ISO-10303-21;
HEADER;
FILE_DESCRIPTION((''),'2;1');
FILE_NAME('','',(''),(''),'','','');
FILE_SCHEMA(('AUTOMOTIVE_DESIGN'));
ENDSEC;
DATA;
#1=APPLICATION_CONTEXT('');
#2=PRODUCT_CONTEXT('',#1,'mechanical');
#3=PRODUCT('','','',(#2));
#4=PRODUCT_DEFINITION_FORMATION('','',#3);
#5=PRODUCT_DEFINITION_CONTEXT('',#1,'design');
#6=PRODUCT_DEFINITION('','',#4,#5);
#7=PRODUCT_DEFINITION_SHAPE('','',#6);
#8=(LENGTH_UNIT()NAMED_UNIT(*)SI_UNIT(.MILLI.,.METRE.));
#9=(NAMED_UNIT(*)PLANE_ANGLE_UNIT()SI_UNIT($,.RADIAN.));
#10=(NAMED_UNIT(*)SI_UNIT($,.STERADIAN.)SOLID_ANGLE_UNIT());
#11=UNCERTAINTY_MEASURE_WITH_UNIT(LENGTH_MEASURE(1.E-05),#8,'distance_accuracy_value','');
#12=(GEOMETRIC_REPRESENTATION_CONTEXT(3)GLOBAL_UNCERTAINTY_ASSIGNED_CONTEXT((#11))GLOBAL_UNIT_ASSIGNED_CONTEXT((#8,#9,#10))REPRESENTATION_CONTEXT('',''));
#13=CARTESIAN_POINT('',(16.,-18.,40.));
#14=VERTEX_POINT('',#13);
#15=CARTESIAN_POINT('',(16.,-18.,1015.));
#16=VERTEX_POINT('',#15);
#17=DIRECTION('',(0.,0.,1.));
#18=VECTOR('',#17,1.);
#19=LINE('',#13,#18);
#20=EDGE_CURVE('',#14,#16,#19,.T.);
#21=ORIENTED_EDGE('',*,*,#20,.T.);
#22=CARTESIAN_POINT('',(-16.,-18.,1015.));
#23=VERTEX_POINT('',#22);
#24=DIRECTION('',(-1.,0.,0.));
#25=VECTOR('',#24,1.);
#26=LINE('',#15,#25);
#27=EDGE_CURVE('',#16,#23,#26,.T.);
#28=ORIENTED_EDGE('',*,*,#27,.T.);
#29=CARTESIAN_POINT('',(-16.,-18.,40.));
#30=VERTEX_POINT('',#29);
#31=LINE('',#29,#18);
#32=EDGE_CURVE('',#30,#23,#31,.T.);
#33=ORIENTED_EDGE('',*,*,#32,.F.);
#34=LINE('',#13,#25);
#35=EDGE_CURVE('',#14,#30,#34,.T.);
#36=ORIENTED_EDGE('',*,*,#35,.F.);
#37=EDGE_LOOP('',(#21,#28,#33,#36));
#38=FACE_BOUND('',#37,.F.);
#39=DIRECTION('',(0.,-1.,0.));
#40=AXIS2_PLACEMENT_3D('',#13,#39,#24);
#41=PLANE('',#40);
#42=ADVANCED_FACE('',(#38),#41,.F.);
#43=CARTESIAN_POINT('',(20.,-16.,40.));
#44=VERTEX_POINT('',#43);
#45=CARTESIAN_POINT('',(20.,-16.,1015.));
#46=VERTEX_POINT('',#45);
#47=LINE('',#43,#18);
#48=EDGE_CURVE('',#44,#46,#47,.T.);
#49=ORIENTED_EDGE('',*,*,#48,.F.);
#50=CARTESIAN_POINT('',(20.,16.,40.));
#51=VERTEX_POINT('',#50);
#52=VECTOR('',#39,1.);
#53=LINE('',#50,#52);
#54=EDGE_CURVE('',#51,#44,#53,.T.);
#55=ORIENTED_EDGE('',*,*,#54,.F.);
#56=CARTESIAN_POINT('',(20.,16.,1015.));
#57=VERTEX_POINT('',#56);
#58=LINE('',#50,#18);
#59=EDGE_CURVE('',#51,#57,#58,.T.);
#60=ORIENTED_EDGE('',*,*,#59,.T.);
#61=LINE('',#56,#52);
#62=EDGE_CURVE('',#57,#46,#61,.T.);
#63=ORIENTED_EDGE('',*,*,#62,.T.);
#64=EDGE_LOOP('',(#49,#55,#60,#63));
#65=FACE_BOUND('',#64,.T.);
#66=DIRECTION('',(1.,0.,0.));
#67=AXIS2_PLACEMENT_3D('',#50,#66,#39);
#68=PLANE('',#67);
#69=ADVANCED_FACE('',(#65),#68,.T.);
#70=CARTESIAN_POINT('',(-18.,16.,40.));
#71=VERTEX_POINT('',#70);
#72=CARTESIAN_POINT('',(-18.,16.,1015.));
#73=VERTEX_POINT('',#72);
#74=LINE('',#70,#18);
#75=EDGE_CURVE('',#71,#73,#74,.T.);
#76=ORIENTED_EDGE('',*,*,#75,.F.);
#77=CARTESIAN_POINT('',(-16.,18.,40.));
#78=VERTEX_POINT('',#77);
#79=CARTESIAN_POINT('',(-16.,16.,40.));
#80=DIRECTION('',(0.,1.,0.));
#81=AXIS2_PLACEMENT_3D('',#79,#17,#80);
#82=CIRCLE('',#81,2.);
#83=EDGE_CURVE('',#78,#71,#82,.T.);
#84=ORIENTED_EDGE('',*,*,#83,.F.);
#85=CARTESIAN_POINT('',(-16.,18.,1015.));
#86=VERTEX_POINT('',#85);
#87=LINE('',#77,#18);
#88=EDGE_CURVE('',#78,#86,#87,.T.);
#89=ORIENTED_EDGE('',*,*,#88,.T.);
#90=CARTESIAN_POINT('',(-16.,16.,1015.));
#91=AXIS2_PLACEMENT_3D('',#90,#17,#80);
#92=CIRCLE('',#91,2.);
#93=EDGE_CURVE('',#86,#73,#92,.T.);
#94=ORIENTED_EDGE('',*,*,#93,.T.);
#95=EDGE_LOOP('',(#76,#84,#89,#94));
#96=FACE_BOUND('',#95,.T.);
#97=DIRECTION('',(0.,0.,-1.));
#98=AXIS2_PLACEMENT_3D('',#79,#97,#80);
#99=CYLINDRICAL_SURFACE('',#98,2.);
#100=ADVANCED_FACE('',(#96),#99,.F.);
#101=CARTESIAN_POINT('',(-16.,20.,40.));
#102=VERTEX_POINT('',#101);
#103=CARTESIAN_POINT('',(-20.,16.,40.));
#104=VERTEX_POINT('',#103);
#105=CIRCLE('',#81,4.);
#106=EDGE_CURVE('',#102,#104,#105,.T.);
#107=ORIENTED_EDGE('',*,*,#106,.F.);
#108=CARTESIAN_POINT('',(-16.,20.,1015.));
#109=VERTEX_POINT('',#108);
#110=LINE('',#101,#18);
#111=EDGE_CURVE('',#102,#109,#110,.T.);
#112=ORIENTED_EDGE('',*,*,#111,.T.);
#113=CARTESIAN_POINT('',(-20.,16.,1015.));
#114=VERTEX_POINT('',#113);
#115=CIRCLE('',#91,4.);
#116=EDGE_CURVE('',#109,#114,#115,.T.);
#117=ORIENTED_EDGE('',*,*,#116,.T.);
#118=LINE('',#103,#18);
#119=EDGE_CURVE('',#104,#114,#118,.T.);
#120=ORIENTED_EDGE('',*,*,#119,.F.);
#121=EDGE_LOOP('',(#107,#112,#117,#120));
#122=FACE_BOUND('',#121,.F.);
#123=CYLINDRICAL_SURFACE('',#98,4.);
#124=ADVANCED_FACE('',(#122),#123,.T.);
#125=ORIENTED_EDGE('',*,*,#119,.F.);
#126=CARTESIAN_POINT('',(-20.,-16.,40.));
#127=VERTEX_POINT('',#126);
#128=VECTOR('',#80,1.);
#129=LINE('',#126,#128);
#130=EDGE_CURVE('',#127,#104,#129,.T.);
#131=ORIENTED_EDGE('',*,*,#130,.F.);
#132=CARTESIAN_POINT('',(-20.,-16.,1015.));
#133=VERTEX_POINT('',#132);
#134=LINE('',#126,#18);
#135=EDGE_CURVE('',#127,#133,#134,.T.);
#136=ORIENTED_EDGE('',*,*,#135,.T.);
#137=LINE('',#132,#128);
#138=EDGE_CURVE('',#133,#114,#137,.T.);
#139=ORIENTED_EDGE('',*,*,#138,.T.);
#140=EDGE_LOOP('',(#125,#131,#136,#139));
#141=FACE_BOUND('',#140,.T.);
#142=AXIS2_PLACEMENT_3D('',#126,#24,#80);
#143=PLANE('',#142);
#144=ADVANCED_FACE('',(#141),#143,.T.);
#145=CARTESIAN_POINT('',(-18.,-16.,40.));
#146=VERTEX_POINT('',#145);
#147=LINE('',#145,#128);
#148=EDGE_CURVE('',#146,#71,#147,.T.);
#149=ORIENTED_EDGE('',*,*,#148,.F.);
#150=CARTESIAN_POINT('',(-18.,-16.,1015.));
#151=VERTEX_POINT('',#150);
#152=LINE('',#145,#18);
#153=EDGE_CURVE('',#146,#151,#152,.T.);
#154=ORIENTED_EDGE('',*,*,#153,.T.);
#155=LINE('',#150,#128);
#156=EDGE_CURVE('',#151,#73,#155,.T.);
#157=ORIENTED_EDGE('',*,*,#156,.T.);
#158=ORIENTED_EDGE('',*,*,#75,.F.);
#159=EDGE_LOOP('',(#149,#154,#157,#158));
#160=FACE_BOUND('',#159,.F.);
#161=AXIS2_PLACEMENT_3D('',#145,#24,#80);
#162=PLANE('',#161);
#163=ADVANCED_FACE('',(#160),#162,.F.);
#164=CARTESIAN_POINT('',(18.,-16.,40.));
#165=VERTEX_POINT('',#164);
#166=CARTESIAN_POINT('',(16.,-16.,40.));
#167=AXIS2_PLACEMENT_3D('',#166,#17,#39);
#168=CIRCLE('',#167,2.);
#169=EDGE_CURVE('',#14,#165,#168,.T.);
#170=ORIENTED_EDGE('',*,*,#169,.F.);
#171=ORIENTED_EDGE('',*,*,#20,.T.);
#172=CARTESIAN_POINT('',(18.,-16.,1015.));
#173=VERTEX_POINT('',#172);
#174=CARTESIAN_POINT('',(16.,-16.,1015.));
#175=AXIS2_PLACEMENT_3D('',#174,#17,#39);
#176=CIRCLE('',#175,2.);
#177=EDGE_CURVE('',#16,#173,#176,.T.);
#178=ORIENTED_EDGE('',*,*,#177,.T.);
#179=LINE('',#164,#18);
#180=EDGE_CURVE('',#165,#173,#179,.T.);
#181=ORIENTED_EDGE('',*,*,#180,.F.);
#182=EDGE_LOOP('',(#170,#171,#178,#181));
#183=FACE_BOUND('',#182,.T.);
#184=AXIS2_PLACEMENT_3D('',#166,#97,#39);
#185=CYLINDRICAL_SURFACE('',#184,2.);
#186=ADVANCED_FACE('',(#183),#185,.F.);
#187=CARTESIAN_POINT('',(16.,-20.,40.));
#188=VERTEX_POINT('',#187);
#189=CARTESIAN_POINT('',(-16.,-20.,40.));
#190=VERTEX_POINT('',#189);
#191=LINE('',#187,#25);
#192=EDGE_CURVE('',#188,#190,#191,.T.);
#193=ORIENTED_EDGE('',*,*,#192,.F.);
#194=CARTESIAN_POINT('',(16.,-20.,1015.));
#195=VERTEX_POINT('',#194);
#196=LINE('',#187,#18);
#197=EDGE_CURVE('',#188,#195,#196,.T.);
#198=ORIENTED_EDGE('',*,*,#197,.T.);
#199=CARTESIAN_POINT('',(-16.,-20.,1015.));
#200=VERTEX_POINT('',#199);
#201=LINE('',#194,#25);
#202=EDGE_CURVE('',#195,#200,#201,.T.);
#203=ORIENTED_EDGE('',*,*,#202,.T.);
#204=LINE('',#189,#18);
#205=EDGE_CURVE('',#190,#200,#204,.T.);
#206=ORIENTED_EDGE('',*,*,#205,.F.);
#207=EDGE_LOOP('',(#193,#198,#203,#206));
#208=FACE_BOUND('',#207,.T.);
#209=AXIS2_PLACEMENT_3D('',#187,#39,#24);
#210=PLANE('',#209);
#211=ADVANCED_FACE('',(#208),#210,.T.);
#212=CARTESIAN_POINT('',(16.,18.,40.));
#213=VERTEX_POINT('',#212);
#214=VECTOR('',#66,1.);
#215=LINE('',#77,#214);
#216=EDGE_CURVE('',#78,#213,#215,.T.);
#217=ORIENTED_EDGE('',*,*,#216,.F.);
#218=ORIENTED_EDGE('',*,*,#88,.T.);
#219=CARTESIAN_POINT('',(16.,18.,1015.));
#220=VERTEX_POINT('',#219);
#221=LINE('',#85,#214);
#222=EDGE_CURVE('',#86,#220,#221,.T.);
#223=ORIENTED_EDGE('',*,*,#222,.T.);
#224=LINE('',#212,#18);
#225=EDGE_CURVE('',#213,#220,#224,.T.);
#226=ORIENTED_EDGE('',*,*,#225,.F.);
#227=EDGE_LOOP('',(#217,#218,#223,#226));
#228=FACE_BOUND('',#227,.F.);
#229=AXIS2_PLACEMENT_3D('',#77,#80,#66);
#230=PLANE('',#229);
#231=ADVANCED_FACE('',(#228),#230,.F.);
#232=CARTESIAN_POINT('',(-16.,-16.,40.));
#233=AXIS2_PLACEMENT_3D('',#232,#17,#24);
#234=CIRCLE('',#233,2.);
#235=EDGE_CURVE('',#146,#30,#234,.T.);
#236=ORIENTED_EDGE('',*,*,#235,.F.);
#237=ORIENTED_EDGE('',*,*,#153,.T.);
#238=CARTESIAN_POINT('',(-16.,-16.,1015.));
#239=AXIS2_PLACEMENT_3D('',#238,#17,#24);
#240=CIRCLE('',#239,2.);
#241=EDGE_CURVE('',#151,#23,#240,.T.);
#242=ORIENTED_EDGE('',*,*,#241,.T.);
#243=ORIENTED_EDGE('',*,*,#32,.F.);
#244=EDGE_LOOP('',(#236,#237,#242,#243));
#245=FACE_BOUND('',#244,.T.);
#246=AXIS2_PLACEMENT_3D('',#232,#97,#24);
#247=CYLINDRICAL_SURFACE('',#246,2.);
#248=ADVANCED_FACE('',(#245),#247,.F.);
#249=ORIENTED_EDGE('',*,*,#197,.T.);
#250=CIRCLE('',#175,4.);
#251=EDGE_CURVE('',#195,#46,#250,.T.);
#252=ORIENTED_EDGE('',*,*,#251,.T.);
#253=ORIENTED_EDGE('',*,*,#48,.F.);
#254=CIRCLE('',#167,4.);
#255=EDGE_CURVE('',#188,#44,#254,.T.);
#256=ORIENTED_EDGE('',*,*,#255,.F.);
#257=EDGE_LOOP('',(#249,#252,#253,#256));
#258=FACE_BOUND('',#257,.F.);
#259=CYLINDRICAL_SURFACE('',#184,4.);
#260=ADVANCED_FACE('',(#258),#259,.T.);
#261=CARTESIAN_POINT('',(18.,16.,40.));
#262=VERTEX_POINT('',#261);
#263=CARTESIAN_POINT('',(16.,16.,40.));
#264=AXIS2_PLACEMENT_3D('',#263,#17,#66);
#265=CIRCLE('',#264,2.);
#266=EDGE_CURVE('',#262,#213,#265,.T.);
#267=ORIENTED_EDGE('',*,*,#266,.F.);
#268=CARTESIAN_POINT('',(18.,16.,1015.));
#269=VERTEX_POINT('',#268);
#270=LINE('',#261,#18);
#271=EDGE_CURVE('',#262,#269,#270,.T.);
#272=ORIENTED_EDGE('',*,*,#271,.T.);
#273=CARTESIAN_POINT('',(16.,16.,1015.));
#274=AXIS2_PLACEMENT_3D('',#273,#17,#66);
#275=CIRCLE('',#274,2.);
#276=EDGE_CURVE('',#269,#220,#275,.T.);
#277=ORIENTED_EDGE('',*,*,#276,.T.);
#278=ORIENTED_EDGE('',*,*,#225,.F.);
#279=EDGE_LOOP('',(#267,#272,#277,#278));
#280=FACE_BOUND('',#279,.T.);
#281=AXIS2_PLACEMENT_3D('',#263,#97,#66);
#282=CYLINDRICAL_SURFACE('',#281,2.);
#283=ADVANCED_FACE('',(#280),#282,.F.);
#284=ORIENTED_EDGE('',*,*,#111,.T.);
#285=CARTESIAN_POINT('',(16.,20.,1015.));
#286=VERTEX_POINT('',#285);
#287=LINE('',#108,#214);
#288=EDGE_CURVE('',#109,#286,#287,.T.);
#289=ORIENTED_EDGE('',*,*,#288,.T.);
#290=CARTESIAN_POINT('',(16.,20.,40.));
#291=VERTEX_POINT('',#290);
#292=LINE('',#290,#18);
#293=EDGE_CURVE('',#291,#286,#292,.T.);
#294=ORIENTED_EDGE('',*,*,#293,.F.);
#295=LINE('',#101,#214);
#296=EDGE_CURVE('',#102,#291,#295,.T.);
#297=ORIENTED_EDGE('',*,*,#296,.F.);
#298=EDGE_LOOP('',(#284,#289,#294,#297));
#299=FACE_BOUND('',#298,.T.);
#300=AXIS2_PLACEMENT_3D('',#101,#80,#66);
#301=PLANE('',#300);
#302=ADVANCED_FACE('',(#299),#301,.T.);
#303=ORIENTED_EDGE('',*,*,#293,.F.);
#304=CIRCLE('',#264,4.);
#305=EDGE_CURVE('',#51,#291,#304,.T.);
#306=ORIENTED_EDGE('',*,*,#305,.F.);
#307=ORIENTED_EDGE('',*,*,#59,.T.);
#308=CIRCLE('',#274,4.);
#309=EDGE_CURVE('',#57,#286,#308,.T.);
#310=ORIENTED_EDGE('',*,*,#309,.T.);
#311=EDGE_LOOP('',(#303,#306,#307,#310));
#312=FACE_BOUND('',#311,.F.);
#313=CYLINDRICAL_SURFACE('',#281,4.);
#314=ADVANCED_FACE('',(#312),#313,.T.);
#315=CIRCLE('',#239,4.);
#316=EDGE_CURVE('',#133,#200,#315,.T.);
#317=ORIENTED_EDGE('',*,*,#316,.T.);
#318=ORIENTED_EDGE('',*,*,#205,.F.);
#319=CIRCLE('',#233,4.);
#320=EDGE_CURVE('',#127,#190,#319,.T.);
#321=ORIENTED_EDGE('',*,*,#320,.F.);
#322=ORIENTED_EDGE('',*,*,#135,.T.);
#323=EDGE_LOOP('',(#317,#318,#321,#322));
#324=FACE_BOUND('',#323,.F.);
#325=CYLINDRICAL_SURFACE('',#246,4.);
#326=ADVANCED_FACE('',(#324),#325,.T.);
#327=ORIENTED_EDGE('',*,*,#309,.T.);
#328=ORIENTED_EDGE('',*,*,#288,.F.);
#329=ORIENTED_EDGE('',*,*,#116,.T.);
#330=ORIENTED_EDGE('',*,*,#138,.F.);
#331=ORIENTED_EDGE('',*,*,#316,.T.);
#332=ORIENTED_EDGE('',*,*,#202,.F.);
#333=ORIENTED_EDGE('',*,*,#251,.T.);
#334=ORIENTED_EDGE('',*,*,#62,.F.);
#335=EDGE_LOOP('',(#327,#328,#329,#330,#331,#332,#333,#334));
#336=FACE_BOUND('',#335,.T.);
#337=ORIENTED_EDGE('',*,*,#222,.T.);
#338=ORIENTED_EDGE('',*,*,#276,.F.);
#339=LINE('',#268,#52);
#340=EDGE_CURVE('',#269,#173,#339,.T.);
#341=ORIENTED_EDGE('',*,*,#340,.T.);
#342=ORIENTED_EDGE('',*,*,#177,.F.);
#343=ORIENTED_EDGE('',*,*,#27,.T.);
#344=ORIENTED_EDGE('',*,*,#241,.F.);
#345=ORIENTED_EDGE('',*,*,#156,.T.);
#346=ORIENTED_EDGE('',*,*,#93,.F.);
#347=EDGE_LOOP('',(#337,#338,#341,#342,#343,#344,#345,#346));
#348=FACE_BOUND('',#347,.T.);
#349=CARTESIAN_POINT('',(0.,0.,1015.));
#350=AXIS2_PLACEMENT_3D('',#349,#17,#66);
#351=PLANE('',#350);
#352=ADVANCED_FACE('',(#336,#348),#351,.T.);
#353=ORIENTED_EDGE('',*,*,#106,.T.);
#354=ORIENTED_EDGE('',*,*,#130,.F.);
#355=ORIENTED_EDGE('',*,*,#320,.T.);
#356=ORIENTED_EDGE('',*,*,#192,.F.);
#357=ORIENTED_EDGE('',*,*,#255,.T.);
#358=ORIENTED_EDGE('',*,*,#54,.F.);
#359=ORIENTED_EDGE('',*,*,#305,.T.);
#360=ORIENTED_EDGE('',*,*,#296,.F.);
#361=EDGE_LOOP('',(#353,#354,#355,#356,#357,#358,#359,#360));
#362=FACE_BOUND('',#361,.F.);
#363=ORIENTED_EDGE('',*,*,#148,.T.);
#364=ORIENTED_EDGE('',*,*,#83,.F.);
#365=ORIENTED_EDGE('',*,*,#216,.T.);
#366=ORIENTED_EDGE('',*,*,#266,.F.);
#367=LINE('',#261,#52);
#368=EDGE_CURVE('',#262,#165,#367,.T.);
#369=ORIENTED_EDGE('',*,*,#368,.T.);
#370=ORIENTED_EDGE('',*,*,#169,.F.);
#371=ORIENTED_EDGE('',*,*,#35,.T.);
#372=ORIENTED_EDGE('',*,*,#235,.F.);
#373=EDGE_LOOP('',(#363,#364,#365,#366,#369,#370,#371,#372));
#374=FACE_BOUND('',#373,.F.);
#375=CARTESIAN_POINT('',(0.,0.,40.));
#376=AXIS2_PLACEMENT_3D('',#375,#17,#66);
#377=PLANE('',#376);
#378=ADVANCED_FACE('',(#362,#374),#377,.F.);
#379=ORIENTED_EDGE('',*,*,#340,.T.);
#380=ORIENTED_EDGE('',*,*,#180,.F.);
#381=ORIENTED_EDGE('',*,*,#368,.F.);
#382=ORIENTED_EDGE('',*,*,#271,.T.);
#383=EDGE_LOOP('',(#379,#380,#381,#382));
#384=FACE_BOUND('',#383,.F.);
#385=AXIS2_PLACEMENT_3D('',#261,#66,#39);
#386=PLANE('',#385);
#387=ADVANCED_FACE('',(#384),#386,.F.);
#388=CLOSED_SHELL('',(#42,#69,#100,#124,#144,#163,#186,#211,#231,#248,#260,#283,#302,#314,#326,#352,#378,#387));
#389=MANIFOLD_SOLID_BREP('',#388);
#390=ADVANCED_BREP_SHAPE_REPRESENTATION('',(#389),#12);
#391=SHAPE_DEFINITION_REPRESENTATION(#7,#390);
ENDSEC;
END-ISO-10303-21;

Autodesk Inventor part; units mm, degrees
ref_plane "YZ Plane" through (0, 0, 0) normal (1, 0, 0) x (0, 1, 0)
ref_plane "Start Plane" through (0, 0, 40) normal (0, 0, 1) x (1, 0, 0)
ref_plane "End Plane" through (0, 0, 1015) normal (0, 0, 1) x (1, 0, 0)
sketch "Sketch" plane through (0, 0, 0) normal (0, 0, 1) x (1, 0, 0)
  line L0 (-20, -16) -> (-20, 16)
  line L1 (-16, 20) -> (16, 20)
  line L2 (20, 16) -> (20, -16)
  line L3 (16, -20) -> (-16, -20)
  arc A0 (-20, -16) -> (-16, -20) centre (-16, -16) ccw
  arc A1 (20, 16) -> (16, 20) centre (16, 16) ccw
  arc A2 (-16, 20) -> (-20, 16) centre (-16, 16) ccw
  arc A3 (16, -20) -> (20, -16) centre (16, -16) ccw
  arc A4 (-16, 18) -> (-18, 16) centre (-16, 16) ccw
  line L4 (-16, 18) -> (16, 18)
  arc A5 (18, 16) -> (16, 18) centre (16, 16) ccw
  line L5 (18, 16) -> (18, -16)
  arc A6 (16, -18) -> (18, -16) centre (16, -16) ccw
  line L6 (16, -18) -> (-16, -18)
  arc A7 (-18, -16) -> (-16, -18) centre (-16, -16) ccw
  line L7 (-18, -16) -> (-18, 16)
  line L8 (0, 29.1598) -> (0, -29.1598) construction
  line L9 (-29.1598, 0) -> (29.1598, 0) construction
  dimension "d7" = 4
  dimension "d9" = 40
  dimension "d11" = 40
  dimension "d12" = 2
  dimension "d15" = 20
  dimension "d16" = 20
extrude "Body" add sketch "Sketch" along normal up to surface (975 mm away) from surface at 40
sketch "Sketch3" plane through (0, 0, 0) normal (0, 0, 1) x (1, 0, 0)
  line L0 (0, 0) -> (10, 0)
ref_plane "Work Plane3" through (0, 0, 0) normal (0, -1, 0) x (1, 0, 0)
sketch "Sketch4" plane through (0, 0, 0) normal (0, -1, 0) x (1, 0, 0)
  line L0 (-2, 40) -> (12, 40) projected
  line L1 (-2, 1015) -> (12, 1015) projected
  dimension "d18" = 975
equation "\"d7\" = G_IR"
equation "\"d9\" = G_W"
equation "\"d11\" = G_H"
equation "\"d12\" = G_T"
equation "\"d15\" = 0.5 * d9"
equation "\"d16\" = 0.5 * d11"
equation "\"d3\" = G_L"
equation "\"G_W\" = 40"
equation "\"G_H\" = 40"
equation "\"G_T\" = 2"
equation "\"G_IR\" = 4"
equation "\"G_L\" = d18"
equation "\"d14\" = G_OFFSET_END + B_L"
equation "\"B_L\" = 1095"
equation "\"G_OFFSET_END\" = -80"
properties part number "ISO 4019 - 40x40x2 - 975" material "Steel, Mild"
